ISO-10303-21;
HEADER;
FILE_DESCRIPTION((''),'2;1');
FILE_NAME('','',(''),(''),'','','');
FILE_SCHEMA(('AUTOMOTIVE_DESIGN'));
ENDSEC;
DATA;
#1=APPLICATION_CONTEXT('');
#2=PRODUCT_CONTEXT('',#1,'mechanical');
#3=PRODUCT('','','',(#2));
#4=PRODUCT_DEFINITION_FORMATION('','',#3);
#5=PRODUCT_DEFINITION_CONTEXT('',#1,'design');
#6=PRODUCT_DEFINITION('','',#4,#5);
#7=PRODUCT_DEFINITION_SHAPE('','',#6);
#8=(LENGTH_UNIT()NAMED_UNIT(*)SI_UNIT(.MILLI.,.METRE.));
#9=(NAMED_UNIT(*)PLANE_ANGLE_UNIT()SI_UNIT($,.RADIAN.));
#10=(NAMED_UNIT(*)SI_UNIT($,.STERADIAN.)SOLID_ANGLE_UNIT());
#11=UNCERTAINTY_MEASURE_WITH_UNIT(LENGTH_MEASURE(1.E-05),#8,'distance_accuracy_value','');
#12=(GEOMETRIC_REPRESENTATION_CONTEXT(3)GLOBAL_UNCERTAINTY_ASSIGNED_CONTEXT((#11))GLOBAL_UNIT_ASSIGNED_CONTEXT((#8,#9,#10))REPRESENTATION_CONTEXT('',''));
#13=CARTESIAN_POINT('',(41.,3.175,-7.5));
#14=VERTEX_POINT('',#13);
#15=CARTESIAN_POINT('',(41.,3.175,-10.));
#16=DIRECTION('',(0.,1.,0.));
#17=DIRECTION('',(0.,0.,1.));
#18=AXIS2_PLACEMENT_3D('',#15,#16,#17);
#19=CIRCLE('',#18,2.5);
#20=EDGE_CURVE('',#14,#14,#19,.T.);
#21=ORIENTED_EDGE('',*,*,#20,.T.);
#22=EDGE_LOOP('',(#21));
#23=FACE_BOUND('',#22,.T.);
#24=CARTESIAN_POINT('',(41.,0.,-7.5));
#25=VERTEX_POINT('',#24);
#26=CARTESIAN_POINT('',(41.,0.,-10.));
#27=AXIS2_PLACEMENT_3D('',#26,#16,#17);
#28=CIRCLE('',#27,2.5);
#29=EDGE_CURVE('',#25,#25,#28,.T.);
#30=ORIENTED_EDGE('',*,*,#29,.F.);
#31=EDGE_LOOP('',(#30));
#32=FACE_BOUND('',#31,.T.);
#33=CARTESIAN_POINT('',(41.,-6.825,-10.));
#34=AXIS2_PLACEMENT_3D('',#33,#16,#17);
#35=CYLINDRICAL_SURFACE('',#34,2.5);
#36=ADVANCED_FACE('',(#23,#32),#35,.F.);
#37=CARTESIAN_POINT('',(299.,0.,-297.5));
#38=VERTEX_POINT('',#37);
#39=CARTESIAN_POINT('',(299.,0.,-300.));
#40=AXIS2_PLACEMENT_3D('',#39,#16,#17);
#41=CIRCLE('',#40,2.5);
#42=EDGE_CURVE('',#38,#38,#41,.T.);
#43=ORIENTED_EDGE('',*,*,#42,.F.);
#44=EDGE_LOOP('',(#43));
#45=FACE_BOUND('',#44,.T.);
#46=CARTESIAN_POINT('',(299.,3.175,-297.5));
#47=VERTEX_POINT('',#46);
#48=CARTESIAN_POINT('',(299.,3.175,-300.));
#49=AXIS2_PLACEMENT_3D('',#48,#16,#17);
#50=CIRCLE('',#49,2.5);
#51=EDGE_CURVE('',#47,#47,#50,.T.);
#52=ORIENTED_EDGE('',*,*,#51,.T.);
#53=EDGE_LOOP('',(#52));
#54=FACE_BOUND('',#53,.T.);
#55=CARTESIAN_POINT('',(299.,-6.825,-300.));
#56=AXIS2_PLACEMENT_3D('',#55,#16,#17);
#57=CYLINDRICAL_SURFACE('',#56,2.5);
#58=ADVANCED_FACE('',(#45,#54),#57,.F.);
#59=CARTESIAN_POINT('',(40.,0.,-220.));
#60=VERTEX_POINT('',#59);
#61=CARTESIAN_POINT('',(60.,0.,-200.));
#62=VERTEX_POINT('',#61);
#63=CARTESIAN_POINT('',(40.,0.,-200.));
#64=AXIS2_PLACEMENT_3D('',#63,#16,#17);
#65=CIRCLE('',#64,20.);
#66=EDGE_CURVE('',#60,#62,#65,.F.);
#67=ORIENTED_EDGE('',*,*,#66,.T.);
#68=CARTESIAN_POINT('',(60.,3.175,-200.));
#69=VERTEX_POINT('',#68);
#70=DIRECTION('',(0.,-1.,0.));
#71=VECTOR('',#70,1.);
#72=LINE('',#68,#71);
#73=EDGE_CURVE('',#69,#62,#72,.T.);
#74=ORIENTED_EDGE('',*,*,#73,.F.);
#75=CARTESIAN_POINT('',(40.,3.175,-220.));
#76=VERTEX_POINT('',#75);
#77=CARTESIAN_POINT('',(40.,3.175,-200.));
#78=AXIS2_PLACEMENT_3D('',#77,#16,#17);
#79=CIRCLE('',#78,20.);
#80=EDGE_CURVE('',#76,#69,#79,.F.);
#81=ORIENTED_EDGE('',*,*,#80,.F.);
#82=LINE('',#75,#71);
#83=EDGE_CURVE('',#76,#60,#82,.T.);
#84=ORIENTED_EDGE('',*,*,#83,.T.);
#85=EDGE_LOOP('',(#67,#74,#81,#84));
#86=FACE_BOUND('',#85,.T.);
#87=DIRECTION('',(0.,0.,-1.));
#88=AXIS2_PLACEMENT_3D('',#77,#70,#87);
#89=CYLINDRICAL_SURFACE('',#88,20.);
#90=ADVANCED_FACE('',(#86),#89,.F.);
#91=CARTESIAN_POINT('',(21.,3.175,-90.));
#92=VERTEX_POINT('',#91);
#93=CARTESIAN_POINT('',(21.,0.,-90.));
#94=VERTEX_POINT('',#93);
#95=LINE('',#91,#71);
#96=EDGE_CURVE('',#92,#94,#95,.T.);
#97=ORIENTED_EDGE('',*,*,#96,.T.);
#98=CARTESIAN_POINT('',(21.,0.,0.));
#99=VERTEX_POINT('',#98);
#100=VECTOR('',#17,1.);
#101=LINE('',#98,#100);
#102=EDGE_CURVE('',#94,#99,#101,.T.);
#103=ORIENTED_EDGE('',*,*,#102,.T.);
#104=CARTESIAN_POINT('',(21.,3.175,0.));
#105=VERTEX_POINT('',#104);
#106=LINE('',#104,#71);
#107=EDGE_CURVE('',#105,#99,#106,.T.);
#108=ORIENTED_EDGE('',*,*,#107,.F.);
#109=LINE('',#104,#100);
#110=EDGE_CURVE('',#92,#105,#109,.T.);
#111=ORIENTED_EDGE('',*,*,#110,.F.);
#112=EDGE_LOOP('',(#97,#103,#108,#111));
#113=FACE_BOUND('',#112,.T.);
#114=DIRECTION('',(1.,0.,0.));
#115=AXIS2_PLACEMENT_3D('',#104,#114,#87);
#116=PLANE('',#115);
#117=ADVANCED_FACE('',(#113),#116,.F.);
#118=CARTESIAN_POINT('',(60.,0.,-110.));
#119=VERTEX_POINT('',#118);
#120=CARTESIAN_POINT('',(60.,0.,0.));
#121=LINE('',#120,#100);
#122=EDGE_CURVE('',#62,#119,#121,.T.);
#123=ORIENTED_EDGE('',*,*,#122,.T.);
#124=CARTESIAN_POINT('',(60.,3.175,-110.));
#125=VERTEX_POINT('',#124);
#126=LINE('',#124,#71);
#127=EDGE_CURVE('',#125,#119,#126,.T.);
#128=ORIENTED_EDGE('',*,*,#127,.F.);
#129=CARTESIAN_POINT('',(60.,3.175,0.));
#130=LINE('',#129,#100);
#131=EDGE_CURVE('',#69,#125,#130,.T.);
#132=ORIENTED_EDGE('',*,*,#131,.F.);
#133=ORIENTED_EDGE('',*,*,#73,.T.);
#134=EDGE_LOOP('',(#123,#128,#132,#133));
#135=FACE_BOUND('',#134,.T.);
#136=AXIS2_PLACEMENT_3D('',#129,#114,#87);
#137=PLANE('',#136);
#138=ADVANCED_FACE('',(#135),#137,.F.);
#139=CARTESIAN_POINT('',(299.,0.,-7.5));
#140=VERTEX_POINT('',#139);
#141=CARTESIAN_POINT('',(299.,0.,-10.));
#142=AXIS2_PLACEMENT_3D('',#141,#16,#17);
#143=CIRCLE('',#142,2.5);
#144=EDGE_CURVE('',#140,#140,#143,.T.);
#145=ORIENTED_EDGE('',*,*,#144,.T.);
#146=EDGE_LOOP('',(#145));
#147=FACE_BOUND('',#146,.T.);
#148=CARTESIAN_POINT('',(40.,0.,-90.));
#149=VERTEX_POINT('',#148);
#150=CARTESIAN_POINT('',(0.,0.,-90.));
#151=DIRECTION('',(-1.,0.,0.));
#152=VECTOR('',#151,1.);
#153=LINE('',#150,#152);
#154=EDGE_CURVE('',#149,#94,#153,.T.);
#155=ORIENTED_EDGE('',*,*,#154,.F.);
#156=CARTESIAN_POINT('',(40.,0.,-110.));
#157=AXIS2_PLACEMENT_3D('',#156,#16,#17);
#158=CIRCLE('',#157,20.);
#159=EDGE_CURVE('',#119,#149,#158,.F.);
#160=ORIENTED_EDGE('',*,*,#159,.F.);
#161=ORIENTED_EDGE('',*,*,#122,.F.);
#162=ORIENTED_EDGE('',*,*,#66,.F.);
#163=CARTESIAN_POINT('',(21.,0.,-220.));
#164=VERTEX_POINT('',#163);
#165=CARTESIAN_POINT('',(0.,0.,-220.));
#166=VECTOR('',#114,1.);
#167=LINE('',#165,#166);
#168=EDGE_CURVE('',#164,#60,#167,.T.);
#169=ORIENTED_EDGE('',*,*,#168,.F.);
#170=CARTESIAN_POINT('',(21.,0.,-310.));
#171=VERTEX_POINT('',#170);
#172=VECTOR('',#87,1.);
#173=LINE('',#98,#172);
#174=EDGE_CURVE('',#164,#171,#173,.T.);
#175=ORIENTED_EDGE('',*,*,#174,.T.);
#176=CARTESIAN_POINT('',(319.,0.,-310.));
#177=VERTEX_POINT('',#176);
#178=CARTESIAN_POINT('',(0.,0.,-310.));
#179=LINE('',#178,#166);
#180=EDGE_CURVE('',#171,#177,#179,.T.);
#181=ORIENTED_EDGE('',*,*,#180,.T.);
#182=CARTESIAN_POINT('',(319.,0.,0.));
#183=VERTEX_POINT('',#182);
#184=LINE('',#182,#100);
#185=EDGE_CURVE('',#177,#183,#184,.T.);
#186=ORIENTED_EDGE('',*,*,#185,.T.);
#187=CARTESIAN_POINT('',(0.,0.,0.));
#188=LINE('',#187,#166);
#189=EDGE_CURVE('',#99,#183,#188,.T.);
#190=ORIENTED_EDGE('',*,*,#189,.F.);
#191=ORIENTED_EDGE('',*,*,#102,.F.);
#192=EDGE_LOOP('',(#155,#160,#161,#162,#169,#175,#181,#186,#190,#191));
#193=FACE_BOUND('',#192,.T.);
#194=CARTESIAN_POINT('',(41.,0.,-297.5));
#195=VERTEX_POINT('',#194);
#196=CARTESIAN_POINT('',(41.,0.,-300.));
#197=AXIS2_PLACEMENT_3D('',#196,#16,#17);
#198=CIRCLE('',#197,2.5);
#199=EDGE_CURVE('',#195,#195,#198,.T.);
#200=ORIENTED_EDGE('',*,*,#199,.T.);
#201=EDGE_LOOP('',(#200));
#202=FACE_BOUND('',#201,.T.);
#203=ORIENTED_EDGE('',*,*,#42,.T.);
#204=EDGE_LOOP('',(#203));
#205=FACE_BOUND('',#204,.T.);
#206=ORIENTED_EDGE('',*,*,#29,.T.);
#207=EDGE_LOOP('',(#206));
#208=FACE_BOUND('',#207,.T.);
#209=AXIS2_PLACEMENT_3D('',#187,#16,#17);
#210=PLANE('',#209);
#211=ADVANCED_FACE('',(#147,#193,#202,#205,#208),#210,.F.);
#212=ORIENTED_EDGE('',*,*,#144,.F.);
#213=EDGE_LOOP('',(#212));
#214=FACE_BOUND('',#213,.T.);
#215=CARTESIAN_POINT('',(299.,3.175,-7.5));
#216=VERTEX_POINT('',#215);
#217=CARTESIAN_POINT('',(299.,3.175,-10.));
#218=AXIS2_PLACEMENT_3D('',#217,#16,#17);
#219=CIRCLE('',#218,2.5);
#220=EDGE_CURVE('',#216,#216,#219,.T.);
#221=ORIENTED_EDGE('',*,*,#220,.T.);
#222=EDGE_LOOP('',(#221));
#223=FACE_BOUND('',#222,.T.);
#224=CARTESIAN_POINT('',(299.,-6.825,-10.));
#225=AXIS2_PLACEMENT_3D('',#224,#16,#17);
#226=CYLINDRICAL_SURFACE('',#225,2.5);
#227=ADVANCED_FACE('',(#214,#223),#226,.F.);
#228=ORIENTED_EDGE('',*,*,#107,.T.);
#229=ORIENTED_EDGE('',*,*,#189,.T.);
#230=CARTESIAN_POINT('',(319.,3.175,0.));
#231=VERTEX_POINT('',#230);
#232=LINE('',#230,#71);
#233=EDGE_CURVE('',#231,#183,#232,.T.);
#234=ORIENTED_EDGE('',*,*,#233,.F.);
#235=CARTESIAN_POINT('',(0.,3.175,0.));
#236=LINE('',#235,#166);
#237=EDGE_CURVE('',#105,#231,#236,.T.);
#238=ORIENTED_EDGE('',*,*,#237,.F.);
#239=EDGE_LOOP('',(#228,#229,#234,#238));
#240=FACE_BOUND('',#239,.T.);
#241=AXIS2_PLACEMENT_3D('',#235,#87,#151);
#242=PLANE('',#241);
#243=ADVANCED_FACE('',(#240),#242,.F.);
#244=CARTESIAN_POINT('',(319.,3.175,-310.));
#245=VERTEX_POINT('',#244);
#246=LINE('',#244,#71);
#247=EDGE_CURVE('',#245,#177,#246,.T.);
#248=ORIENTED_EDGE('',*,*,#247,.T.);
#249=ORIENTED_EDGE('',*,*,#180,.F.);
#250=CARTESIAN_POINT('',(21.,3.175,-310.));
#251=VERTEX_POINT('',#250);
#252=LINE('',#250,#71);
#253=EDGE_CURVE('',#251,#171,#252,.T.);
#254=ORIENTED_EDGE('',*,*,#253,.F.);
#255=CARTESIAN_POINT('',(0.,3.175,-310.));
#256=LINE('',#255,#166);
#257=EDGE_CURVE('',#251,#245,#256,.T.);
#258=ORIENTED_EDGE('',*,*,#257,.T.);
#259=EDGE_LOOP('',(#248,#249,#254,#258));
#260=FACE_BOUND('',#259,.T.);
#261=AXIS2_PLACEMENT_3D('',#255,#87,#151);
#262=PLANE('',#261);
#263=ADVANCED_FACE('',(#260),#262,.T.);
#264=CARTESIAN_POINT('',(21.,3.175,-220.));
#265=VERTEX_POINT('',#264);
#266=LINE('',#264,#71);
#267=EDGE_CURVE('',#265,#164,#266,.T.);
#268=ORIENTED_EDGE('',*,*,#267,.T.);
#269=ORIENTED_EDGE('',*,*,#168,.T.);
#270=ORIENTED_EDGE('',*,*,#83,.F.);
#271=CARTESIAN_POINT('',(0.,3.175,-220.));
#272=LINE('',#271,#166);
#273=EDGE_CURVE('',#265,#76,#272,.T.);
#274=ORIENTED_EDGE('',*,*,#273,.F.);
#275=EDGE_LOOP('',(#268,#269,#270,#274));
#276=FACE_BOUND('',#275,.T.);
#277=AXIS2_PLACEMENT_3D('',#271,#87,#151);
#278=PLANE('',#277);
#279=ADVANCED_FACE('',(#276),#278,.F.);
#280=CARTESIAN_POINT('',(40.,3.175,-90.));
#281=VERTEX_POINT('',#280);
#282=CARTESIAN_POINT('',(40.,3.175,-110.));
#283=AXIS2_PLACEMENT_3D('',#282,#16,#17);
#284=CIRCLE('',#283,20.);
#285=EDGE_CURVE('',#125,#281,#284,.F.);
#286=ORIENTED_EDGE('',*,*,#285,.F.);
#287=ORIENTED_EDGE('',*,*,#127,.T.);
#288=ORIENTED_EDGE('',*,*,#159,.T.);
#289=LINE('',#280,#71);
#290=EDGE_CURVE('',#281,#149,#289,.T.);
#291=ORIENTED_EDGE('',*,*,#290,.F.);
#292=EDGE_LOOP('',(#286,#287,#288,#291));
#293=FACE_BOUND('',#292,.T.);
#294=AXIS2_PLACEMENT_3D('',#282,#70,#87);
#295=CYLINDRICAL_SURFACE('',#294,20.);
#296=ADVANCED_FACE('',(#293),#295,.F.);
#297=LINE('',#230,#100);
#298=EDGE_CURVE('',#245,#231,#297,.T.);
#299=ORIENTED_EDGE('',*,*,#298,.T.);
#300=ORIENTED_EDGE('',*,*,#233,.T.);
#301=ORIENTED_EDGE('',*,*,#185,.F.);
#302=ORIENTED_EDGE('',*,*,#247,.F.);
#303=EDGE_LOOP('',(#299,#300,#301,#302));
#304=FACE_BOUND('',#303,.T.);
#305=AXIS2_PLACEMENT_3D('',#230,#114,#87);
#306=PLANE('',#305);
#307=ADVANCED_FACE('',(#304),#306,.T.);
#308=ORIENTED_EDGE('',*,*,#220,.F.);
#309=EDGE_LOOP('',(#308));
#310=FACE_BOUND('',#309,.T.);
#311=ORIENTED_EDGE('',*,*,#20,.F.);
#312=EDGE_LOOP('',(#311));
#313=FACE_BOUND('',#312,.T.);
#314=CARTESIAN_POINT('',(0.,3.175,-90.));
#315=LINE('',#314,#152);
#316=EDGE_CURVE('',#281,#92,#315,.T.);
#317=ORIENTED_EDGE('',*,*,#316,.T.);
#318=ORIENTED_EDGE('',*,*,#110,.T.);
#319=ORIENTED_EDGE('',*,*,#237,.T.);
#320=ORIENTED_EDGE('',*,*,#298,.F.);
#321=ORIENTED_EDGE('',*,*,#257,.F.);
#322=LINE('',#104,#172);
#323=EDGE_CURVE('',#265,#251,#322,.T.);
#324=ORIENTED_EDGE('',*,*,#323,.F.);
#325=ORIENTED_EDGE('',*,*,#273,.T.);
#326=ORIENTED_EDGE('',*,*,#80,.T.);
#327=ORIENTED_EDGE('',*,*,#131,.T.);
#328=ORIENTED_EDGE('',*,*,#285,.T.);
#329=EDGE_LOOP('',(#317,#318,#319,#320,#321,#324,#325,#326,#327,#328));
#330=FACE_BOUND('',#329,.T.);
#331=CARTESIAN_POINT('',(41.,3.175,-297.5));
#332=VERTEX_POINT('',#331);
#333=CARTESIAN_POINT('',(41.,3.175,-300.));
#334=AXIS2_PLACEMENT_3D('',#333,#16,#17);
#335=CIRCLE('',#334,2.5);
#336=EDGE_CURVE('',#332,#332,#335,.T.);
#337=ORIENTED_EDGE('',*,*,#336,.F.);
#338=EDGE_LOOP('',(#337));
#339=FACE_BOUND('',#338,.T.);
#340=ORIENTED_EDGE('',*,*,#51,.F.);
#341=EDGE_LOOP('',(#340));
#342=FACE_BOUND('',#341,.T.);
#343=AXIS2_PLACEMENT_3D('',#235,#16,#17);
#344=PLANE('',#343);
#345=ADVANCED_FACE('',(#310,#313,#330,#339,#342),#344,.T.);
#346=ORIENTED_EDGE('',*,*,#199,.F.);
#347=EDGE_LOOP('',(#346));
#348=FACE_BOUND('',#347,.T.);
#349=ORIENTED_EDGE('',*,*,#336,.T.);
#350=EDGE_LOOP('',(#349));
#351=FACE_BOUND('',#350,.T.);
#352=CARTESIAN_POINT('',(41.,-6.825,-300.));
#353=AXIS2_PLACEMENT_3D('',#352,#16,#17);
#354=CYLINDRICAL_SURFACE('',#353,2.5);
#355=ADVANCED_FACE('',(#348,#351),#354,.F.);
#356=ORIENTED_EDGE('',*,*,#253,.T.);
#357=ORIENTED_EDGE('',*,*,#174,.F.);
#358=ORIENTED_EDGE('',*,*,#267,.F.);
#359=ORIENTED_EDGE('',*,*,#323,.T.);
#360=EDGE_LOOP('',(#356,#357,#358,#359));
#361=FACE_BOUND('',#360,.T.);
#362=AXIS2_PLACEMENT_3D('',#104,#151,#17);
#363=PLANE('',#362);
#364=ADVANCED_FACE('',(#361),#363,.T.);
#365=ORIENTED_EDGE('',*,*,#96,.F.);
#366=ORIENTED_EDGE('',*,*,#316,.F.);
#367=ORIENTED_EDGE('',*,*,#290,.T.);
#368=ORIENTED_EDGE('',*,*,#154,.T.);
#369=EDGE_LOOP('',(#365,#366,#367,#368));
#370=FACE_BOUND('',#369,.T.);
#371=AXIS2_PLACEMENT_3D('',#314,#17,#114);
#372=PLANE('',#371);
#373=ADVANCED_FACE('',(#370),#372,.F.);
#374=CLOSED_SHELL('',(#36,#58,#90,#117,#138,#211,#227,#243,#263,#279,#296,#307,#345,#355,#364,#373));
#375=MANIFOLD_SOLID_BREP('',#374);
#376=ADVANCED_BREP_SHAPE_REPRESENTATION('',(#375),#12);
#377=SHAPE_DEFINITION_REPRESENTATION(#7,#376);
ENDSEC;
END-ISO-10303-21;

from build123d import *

# Parameters (mm, degrees)
BOSS_EXTRUDE1_DEPTH = 3.175
SKETCH3_R           = 2.5
CUT_EXTRUDE1_DEPTH  = 10


with BuildPart() as part:
    # Sketch2 → Boss-Extrude1 (new body)
    with BuildSketch(Plane(origin=(0, 0, 0), x_dir=(1, 0, 0), z_dir=(0, 1, 0))):
        with BuildLine():
            Line((21, 310), (21, 289))
            Line((21, 289), (21, 220))
            Line((21, 220), (40, 220))
            ThreePointArc((40, 220), (54.142135624, 214.142135624), (60, 200))
            Line((60, 200), (60, 110))
            ThreePointArc((60, 110), (54.142135624, 95.857864376), (40, 90))
            Line((40, 90), (21, 90))
            Line((21, 90), (21, 21))
            Line((21, 21), (21, 0))
            Line((21, 0), (319, 0))
            Line((319, 0), (319, 21))
            Line((319, 21), (319, 289))
            Line((319, 289), (319, 310))
            Line((319, 310), (21, 310))
        make_face()
    extrude(amount=BOSS_EXTRUDE1_DEPTH)

    # Sketch3 → Cut-Extrude1 (cut)
    with BuildSketch(Plane(origin=(0, 3.175, 0), x_dir=(1, 0, 0), z_dir=(0, 1, 0))):
        with Locations((41, 300)):
            Circle(SKETCH3_R)
        with Locations((10, 269)):
            Circle(SKETCH3_R)
        with Locations((299, 300)):
            Circle(SKETCH3_R)
        with Locations((330, 269)):
            Circle(SKETCH3_R)
        with Locations((330, 41)):
            Circle(SKETCH3_R)
        with Locations((299, 10)):
            Circle(SKETCH3_R)
        with Locations((41, 10)):
            Circle(SKETCH3_R)
        with Locations((10, 41)):
            Circle(SKETCH3_R)
    extrude(amount=-CUT_EXTRUDE1_DEPTH, mode=Mode.SUBTRACT)


solid = part.part
